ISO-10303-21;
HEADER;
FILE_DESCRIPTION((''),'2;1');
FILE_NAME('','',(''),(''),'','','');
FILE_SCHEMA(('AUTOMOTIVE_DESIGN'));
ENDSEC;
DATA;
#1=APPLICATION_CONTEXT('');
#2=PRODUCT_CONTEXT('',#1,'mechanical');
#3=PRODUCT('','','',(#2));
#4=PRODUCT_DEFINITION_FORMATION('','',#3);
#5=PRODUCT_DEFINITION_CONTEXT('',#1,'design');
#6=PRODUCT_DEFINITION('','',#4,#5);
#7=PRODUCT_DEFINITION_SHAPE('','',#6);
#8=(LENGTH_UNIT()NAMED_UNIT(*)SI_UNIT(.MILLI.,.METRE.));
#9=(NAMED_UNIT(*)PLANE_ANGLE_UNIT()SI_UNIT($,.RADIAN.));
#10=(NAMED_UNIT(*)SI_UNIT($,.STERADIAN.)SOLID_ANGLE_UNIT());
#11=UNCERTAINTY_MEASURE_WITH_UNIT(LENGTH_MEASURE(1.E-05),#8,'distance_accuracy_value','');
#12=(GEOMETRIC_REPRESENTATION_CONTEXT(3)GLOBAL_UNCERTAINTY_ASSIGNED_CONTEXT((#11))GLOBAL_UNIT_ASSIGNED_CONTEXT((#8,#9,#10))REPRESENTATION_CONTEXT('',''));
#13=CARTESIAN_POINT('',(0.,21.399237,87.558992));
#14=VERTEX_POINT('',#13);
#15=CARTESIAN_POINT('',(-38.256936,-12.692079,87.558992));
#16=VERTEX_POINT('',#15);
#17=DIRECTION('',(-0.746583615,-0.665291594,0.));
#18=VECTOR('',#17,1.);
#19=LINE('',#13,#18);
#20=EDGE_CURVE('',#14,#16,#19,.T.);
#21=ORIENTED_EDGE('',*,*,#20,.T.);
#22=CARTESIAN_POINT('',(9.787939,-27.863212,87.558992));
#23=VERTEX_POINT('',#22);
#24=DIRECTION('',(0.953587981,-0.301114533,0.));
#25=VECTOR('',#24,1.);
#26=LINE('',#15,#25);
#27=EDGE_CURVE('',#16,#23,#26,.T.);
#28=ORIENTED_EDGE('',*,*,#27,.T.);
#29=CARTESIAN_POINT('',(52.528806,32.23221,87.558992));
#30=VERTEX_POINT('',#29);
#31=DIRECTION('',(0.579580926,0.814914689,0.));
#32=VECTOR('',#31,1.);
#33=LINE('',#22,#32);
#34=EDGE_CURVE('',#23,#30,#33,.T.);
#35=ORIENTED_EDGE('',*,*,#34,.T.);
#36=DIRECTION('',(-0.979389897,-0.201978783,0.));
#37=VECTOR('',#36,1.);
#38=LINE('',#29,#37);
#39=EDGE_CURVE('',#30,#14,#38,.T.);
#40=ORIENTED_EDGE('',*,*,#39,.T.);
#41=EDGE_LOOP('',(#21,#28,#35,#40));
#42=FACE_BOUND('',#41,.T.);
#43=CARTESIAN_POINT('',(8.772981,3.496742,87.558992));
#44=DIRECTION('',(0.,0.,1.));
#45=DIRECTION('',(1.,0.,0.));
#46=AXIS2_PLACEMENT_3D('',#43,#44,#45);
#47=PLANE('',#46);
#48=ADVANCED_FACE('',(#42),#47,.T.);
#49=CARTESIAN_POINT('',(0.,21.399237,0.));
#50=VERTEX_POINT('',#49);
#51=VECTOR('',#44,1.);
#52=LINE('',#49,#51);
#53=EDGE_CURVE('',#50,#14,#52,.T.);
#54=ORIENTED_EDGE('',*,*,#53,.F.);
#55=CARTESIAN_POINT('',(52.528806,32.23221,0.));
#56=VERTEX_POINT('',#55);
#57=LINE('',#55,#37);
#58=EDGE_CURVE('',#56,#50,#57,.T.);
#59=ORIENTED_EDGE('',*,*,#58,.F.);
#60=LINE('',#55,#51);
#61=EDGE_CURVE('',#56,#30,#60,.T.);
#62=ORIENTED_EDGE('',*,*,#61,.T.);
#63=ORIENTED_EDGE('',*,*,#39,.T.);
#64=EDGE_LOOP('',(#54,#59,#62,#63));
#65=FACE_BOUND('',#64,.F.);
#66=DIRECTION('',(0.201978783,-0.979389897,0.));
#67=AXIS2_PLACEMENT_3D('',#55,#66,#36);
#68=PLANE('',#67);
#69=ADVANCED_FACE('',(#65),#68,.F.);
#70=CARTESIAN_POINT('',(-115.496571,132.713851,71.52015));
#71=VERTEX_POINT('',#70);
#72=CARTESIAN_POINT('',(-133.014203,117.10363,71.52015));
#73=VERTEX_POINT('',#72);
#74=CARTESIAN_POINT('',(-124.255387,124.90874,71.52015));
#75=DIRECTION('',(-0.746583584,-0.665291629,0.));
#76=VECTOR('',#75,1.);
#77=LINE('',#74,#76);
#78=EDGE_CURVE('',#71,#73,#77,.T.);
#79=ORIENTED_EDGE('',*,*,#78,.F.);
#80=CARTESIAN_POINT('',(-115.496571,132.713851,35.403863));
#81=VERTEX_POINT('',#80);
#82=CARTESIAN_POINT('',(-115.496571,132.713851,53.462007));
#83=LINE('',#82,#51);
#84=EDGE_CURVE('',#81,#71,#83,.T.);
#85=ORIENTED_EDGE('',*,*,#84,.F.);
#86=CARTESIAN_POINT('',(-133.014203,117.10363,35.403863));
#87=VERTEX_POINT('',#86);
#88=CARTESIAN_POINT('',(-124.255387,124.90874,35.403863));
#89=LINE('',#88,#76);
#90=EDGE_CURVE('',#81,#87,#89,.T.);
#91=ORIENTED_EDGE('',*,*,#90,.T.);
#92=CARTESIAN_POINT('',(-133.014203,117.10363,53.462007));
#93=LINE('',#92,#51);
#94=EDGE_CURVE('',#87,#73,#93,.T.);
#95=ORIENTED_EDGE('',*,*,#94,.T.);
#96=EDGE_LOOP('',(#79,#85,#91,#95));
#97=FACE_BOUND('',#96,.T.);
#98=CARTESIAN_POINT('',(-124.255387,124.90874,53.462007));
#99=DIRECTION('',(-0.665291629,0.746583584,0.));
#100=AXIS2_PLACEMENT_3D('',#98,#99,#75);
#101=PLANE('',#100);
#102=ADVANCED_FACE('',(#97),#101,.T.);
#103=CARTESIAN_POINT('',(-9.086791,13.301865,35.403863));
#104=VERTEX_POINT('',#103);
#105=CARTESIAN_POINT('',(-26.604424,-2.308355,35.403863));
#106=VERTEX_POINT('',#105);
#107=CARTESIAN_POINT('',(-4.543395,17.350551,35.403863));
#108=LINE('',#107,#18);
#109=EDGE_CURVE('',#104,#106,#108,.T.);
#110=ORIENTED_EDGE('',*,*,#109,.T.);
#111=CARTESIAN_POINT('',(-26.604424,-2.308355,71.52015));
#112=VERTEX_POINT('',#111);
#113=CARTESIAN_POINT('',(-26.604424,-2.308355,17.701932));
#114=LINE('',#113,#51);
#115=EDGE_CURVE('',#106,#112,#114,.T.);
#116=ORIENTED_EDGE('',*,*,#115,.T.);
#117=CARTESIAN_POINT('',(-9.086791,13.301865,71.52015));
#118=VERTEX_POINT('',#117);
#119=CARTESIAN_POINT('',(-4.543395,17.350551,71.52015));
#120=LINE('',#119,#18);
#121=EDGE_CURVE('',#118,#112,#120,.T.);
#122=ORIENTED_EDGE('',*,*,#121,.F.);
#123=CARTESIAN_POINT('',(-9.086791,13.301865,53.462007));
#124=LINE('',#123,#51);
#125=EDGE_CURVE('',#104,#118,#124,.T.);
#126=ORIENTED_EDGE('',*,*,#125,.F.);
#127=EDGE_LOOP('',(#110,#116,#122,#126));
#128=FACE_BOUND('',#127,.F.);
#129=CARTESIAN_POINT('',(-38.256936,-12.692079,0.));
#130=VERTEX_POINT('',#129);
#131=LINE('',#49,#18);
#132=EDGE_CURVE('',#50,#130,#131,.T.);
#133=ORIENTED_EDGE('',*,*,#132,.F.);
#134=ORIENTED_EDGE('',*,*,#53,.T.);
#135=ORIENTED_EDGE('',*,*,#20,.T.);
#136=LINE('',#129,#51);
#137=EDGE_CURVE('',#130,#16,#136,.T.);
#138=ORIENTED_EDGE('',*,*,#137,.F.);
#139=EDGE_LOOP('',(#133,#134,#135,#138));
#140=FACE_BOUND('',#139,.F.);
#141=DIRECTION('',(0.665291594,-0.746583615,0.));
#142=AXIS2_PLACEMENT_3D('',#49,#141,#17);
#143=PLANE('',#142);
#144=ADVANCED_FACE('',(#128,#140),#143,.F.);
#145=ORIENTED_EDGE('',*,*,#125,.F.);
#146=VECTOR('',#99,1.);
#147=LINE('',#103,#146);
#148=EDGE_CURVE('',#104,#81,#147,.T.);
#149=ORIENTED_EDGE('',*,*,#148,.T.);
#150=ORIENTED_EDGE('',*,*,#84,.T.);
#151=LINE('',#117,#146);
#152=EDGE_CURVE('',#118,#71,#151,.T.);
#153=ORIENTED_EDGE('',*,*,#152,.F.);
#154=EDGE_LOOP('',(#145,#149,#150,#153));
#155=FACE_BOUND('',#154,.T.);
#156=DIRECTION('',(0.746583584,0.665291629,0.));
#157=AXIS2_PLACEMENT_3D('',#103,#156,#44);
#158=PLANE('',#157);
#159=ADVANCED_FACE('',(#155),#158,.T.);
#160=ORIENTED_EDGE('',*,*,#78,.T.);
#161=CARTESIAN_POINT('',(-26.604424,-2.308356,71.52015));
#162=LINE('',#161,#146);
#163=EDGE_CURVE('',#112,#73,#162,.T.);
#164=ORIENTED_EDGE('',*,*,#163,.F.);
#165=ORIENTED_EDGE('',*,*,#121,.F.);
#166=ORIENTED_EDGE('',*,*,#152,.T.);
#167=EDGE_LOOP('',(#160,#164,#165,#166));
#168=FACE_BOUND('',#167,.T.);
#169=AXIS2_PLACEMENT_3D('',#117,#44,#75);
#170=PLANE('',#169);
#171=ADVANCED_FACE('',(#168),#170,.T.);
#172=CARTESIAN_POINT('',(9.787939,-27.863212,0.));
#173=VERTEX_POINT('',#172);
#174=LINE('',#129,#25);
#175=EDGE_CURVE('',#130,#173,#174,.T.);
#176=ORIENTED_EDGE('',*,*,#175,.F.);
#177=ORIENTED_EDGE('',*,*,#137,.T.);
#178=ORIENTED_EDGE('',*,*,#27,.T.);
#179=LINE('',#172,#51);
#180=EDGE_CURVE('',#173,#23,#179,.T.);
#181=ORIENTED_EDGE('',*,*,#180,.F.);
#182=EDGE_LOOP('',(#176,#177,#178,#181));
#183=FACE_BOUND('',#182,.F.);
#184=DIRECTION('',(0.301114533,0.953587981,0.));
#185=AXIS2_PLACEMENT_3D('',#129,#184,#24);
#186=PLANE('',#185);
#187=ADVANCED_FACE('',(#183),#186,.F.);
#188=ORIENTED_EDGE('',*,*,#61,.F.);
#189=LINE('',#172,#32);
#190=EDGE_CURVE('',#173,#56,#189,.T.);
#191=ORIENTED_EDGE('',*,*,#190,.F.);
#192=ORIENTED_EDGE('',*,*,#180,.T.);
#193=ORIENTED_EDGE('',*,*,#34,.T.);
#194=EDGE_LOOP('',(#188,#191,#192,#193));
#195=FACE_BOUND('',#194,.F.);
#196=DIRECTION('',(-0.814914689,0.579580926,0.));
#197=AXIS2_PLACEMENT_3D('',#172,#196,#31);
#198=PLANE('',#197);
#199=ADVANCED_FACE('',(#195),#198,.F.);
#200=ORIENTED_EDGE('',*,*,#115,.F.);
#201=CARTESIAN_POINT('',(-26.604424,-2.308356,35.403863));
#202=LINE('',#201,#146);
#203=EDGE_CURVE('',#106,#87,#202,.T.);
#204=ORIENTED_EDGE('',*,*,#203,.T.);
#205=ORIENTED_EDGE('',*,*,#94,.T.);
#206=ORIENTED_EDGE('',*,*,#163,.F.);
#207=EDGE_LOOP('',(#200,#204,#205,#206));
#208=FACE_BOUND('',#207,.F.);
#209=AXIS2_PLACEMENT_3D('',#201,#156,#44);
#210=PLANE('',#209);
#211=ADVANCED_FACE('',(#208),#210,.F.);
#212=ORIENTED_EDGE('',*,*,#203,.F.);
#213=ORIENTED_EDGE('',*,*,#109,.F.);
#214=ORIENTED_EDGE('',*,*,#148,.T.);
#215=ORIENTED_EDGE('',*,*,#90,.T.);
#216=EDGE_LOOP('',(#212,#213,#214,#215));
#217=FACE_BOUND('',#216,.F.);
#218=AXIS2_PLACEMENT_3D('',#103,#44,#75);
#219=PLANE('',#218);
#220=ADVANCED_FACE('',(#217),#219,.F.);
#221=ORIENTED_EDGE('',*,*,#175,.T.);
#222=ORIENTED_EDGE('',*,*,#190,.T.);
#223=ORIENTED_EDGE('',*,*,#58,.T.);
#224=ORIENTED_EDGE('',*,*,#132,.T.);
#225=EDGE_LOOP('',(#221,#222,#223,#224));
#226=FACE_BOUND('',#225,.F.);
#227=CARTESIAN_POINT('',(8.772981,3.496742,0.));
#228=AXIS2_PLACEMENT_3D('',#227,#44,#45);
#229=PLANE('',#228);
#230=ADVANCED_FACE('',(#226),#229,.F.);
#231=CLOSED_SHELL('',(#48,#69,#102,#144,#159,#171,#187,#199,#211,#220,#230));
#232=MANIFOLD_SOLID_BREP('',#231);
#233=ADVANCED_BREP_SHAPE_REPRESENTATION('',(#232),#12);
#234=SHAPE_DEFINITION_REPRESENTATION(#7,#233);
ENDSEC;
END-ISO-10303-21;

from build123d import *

# Parameters (mm, degrees)
F1_DEPTH = 87.558992
F2_W     = 23.463726
F2_H     = 36.116287
F3_DEPTH = 159.944564


with BuildPart() as f1:
    # F0 (on Top) → F1 (new body)
    with BuildSketch(Plane.XY):
        Polygon((52.528806, 32.23221), (0, 21.399237), (-38.256936, -12.692079), (9.787939, -27.863212), align=None)
    extrude(amount=F1_DEPTH)

    # F2 (on face) → F3 (join)
    with BuildSketch(Plane(origin=(-10.628911, 11.927659, 0), x_dir=(-0.746584, -0.665292, 0), z_dir=(-0.665292, 0.746584, 0))):
        with Locations((9.666294, 53.462007)):
            Rectangle(F2_W, F2_H)
    extrude(amount=F3_DEPTH)


solid = f1.part
